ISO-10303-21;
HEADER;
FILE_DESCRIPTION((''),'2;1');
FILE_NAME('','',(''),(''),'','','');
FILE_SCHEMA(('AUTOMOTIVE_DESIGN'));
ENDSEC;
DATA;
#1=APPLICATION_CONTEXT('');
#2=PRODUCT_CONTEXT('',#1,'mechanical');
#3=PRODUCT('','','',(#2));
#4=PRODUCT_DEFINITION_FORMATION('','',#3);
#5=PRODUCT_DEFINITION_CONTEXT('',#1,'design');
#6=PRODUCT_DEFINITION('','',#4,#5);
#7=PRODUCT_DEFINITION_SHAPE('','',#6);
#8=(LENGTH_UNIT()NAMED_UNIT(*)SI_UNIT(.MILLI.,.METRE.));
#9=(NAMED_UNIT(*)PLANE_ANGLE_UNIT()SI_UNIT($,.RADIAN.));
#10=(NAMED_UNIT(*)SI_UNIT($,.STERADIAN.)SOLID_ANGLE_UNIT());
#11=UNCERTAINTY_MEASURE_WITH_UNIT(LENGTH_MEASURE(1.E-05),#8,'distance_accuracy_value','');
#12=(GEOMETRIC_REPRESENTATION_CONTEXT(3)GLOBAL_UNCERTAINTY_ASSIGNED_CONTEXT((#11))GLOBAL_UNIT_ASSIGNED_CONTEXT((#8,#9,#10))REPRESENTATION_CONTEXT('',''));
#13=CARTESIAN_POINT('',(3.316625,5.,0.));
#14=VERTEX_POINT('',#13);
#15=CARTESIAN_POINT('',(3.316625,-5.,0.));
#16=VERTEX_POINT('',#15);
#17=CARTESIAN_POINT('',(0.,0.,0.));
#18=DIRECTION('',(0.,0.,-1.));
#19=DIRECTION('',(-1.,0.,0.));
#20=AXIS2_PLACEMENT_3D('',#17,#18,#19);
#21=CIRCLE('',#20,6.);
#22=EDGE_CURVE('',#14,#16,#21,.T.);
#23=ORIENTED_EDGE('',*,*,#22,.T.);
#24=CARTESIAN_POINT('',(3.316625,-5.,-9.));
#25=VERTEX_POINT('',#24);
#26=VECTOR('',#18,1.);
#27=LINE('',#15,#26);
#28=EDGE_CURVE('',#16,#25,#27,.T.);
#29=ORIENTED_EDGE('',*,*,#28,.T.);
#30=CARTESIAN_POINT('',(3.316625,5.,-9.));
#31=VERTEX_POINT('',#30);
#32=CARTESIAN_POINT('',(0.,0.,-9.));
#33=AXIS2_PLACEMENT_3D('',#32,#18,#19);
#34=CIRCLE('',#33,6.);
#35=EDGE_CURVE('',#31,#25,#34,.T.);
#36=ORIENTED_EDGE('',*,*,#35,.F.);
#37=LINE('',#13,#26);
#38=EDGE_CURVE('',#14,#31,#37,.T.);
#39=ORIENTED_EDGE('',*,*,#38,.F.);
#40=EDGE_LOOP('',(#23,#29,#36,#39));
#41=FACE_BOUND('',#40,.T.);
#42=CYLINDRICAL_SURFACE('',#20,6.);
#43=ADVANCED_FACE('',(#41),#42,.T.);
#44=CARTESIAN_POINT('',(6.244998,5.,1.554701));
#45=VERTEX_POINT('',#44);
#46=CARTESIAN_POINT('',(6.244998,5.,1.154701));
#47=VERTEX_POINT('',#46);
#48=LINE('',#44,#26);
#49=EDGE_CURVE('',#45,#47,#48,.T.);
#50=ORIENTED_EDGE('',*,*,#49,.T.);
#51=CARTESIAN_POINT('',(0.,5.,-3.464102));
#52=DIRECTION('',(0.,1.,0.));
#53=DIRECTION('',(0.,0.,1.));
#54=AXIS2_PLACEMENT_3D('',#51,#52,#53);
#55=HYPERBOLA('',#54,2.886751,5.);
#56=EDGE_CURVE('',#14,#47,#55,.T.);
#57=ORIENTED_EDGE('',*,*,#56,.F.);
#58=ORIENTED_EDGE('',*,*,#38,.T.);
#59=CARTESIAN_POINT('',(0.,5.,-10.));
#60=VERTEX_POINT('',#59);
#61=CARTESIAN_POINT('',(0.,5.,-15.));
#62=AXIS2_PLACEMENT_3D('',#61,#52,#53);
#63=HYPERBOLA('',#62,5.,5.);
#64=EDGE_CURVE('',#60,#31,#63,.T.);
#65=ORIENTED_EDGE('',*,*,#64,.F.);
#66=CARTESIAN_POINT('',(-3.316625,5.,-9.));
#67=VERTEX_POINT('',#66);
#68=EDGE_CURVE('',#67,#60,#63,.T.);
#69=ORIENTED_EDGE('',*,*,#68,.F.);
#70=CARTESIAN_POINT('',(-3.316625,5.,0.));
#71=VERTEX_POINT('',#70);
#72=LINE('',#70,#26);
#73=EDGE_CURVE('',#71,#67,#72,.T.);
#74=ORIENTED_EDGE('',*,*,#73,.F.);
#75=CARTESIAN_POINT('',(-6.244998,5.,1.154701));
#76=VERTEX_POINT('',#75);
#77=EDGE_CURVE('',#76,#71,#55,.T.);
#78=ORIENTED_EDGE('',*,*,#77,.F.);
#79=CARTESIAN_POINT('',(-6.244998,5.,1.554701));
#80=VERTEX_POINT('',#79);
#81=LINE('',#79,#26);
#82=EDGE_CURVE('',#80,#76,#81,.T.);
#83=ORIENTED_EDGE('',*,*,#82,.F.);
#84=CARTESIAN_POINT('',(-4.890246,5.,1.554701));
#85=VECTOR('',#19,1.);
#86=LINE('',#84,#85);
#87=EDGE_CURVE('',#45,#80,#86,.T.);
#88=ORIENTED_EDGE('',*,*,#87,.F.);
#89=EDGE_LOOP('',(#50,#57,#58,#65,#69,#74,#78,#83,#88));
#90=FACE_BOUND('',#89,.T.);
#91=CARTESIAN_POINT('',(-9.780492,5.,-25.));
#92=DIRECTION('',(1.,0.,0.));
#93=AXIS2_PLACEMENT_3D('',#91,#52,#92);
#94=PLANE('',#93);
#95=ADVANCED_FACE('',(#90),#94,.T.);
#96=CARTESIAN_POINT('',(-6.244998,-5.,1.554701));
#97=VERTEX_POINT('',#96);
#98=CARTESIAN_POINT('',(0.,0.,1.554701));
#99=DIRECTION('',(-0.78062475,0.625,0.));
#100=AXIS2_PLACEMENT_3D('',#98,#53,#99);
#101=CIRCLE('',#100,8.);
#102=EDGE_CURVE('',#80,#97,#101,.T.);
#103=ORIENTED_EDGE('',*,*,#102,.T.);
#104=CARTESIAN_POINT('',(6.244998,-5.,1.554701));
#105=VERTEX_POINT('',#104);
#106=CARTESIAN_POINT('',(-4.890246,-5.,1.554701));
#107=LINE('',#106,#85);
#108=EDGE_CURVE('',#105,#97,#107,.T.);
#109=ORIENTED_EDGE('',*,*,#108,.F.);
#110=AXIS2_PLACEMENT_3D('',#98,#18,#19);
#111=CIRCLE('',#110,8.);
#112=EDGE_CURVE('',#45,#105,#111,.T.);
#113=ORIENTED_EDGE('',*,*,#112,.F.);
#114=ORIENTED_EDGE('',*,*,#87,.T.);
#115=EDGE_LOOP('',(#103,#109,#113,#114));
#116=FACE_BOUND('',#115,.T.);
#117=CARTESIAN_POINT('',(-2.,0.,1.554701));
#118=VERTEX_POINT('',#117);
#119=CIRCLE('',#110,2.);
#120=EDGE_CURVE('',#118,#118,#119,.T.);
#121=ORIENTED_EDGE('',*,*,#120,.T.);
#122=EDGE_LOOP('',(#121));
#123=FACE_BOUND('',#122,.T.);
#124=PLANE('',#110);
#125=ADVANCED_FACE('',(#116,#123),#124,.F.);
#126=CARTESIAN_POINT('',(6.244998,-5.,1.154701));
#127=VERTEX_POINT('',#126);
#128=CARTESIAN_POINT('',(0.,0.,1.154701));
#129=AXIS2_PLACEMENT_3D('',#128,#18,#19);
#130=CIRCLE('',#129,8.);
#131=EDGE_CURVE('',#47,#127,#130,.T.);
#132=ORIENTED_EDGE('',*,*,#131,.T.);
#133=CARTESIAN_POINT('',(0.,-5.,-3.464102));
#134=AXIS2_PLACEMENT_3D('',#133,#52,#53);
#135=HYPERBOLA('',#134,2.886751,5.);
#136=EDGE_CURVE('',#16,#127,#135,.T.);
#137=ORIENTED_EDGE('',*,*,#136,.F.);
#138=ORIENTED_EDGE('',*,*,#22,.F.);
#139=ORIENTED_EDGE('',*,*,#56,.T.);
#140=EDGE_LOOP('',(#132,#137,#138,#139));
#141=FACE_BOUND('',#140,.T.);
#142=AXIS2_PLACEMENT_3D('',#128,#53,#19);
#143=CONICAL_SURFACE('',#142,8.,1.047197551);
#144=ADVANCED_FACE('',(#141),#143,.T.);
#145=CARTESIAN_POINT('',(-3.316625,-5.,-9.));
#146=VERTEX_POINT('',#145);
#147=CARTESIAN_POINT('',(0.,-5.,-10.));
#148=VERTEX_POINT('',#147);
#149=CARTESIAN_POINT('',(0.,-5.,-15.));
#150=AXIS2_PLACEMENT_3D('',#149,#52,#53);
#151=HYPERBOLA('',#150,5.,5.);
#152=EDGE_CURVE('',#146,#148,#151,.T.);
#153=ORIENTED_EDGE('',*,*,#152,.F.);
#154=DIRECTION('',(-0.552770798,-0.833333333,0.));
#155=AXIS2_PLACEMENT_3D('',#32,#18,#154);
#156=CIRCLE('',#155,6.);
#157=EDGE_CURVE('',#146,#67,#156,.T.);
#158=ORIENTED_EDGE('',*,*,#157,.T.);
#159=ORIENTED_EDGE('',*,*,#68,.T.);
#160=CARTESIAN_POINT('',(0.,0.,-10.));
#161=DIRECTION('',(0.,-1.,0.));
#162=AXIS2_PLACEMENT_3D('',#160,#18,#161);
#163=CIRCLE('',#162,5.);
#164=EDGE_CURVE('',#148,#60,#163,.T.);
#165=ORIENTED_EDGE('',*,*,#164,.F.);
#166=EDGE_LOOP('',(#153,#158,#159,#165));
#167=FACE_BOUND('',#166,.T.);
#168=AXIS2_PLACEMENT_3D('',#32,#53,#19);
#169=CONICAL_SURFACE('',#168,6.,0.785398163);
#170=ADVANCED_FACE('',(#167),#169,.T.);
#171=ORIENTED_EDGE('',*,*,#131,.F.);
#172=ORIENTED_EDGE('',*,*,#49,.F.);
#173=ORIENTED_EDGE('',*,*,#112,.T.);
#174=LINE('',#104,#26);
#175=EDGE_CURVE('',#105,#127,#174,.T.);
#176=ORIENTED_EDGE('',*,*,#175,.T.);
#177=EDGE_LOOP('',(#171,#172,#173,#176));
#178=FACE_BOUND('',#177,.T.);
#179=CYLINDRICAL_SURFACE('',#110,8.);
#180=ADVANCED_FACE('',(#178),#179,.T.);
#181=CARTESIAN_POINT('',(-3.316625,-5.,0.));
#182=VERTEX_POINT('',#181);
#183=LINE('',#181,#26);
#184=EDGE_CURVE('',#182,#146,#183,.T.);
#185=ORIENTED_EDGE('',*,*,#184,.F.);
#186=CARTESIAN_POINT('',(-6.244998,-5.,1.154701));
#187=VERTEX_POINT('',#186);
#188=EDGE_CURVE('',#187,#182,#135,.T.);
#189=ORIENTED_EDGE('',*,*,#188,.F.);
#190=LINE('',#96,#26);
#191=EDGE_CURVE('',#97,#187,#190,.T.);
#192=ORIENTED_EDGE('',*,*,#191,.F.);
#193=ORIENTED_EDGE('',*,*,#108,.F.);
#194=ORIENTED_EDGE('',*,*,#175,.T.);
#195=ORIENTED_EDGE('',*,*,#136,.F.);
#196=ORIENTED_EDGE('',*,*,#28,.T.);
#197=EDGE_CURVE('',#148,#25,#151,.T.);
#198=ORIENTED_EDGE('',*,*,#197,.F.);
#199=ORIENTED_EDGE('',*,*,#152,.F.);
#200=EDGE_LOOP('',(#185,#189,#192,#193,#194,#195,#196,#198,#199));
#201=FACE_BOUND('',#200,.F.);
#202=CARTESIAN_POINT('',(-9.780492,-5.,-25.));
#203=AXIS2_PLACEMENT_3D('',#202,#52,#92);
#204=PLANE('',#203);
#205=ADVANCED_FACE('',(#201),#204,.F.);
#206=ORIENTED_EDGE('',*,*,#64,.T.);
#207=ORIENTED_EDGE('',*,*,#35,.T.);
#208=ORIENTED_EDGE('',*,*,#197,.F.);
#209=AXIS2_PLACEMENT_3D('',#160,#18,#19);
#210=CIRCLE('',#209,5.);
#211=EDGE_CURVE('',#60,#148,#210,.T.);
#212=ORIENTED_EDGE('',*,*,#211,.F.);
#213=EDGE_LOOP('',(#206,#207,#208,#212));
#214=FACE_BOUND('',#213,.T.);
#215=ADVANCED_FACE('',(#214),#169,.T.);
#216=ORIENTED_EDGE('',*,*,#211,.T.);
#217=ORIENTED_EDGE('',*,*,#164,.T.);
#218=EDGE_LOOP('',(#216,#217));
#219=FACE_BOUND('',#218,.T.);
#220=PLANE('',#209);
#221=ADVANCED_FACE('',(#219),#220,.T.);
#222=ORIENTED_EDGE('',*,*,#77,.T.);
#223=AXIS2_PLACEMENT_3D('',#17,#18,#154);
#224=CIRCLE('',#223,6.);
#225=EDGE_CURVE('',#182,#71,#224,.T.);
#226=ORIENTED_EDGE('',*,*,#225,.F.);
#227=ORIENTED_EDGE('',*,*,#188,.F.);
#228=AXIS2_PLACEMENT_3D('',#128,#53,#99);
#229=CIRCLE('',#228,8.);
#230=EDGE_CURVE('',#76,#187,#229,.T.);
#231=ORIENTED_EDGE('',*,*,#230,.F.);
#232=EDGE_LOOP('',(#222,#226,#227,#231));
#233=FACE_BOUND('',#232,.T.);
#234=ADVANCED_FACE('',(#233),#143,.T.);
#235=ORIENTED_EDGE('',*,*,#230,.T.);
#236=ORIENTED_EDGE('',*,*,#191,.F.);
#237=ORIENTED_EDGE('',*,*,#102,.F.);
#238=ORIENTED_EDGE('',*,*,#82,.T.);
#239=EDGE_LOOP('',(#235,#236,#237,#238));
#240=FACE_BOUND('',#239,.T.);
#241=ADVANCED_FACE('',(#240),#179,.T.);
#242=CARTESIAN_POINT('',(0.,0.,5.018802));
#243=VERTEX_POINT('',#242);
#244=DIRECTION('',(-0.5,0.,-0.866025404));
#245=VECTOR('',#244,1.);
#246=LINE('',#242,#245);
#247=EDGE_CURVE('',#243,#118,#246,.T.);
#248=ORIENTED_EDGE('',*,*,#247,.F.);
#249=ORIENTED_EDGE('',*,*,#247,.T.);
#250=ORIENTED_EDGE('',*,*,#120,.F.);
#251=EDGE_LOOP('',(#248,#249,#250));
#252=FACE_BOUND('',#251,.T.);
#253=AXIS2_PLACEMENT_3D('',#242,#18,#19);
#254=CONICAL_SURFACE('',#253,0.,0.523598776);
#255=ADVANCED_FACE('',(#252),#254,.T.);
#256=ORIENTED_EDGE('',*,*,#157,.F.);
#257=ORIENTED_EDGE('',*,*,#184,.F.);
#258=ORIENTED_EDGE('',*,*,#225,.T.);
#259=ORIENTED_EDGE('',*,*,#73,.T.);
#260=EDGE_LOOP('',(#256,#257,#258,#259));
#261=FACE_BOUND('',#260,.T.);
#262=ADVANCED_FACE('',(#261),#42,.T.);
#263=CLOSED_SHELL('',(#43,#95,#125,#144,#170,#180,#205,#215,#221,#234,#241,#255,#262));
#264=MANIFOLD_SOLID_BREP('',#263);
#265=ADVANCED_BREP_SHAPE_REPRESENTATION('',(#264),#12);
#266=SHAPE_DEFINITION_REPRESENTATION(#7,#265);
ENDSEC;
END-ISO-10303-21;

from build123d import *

# Parameters (mm, degrees)
F3_START = -25
F2_W     = 20.7691667601
F2_H     = 10
F3_DEPTH = 50


with BuildPart() as f1:
    # F0 (on Front) → F1 (revolve)
    with BuildSketch(Plane.XZ):
        Polygon((-5, -10), (0, -10), (0, 5.0188021535), (-2, 1.5547005384), (-8, 1.5547005384), (-8, 1.1547005384), (-6, 0), (-6, -9), align=None)
    revolve(axis=Axis((0, 0, -2.4905989232), (0, 0, -1)))

    # F2 (on Top) → F3 (intersect)
    with BuildSketch(Plane.XY.offset(F3_START)):
        with Locations((0.6040916778, 0)):
            Rectangle(F2_W, F2_H)
    extrude(amount=F3_DEPTH, mode=Mode.INTERSECT)


solid = f1.part
